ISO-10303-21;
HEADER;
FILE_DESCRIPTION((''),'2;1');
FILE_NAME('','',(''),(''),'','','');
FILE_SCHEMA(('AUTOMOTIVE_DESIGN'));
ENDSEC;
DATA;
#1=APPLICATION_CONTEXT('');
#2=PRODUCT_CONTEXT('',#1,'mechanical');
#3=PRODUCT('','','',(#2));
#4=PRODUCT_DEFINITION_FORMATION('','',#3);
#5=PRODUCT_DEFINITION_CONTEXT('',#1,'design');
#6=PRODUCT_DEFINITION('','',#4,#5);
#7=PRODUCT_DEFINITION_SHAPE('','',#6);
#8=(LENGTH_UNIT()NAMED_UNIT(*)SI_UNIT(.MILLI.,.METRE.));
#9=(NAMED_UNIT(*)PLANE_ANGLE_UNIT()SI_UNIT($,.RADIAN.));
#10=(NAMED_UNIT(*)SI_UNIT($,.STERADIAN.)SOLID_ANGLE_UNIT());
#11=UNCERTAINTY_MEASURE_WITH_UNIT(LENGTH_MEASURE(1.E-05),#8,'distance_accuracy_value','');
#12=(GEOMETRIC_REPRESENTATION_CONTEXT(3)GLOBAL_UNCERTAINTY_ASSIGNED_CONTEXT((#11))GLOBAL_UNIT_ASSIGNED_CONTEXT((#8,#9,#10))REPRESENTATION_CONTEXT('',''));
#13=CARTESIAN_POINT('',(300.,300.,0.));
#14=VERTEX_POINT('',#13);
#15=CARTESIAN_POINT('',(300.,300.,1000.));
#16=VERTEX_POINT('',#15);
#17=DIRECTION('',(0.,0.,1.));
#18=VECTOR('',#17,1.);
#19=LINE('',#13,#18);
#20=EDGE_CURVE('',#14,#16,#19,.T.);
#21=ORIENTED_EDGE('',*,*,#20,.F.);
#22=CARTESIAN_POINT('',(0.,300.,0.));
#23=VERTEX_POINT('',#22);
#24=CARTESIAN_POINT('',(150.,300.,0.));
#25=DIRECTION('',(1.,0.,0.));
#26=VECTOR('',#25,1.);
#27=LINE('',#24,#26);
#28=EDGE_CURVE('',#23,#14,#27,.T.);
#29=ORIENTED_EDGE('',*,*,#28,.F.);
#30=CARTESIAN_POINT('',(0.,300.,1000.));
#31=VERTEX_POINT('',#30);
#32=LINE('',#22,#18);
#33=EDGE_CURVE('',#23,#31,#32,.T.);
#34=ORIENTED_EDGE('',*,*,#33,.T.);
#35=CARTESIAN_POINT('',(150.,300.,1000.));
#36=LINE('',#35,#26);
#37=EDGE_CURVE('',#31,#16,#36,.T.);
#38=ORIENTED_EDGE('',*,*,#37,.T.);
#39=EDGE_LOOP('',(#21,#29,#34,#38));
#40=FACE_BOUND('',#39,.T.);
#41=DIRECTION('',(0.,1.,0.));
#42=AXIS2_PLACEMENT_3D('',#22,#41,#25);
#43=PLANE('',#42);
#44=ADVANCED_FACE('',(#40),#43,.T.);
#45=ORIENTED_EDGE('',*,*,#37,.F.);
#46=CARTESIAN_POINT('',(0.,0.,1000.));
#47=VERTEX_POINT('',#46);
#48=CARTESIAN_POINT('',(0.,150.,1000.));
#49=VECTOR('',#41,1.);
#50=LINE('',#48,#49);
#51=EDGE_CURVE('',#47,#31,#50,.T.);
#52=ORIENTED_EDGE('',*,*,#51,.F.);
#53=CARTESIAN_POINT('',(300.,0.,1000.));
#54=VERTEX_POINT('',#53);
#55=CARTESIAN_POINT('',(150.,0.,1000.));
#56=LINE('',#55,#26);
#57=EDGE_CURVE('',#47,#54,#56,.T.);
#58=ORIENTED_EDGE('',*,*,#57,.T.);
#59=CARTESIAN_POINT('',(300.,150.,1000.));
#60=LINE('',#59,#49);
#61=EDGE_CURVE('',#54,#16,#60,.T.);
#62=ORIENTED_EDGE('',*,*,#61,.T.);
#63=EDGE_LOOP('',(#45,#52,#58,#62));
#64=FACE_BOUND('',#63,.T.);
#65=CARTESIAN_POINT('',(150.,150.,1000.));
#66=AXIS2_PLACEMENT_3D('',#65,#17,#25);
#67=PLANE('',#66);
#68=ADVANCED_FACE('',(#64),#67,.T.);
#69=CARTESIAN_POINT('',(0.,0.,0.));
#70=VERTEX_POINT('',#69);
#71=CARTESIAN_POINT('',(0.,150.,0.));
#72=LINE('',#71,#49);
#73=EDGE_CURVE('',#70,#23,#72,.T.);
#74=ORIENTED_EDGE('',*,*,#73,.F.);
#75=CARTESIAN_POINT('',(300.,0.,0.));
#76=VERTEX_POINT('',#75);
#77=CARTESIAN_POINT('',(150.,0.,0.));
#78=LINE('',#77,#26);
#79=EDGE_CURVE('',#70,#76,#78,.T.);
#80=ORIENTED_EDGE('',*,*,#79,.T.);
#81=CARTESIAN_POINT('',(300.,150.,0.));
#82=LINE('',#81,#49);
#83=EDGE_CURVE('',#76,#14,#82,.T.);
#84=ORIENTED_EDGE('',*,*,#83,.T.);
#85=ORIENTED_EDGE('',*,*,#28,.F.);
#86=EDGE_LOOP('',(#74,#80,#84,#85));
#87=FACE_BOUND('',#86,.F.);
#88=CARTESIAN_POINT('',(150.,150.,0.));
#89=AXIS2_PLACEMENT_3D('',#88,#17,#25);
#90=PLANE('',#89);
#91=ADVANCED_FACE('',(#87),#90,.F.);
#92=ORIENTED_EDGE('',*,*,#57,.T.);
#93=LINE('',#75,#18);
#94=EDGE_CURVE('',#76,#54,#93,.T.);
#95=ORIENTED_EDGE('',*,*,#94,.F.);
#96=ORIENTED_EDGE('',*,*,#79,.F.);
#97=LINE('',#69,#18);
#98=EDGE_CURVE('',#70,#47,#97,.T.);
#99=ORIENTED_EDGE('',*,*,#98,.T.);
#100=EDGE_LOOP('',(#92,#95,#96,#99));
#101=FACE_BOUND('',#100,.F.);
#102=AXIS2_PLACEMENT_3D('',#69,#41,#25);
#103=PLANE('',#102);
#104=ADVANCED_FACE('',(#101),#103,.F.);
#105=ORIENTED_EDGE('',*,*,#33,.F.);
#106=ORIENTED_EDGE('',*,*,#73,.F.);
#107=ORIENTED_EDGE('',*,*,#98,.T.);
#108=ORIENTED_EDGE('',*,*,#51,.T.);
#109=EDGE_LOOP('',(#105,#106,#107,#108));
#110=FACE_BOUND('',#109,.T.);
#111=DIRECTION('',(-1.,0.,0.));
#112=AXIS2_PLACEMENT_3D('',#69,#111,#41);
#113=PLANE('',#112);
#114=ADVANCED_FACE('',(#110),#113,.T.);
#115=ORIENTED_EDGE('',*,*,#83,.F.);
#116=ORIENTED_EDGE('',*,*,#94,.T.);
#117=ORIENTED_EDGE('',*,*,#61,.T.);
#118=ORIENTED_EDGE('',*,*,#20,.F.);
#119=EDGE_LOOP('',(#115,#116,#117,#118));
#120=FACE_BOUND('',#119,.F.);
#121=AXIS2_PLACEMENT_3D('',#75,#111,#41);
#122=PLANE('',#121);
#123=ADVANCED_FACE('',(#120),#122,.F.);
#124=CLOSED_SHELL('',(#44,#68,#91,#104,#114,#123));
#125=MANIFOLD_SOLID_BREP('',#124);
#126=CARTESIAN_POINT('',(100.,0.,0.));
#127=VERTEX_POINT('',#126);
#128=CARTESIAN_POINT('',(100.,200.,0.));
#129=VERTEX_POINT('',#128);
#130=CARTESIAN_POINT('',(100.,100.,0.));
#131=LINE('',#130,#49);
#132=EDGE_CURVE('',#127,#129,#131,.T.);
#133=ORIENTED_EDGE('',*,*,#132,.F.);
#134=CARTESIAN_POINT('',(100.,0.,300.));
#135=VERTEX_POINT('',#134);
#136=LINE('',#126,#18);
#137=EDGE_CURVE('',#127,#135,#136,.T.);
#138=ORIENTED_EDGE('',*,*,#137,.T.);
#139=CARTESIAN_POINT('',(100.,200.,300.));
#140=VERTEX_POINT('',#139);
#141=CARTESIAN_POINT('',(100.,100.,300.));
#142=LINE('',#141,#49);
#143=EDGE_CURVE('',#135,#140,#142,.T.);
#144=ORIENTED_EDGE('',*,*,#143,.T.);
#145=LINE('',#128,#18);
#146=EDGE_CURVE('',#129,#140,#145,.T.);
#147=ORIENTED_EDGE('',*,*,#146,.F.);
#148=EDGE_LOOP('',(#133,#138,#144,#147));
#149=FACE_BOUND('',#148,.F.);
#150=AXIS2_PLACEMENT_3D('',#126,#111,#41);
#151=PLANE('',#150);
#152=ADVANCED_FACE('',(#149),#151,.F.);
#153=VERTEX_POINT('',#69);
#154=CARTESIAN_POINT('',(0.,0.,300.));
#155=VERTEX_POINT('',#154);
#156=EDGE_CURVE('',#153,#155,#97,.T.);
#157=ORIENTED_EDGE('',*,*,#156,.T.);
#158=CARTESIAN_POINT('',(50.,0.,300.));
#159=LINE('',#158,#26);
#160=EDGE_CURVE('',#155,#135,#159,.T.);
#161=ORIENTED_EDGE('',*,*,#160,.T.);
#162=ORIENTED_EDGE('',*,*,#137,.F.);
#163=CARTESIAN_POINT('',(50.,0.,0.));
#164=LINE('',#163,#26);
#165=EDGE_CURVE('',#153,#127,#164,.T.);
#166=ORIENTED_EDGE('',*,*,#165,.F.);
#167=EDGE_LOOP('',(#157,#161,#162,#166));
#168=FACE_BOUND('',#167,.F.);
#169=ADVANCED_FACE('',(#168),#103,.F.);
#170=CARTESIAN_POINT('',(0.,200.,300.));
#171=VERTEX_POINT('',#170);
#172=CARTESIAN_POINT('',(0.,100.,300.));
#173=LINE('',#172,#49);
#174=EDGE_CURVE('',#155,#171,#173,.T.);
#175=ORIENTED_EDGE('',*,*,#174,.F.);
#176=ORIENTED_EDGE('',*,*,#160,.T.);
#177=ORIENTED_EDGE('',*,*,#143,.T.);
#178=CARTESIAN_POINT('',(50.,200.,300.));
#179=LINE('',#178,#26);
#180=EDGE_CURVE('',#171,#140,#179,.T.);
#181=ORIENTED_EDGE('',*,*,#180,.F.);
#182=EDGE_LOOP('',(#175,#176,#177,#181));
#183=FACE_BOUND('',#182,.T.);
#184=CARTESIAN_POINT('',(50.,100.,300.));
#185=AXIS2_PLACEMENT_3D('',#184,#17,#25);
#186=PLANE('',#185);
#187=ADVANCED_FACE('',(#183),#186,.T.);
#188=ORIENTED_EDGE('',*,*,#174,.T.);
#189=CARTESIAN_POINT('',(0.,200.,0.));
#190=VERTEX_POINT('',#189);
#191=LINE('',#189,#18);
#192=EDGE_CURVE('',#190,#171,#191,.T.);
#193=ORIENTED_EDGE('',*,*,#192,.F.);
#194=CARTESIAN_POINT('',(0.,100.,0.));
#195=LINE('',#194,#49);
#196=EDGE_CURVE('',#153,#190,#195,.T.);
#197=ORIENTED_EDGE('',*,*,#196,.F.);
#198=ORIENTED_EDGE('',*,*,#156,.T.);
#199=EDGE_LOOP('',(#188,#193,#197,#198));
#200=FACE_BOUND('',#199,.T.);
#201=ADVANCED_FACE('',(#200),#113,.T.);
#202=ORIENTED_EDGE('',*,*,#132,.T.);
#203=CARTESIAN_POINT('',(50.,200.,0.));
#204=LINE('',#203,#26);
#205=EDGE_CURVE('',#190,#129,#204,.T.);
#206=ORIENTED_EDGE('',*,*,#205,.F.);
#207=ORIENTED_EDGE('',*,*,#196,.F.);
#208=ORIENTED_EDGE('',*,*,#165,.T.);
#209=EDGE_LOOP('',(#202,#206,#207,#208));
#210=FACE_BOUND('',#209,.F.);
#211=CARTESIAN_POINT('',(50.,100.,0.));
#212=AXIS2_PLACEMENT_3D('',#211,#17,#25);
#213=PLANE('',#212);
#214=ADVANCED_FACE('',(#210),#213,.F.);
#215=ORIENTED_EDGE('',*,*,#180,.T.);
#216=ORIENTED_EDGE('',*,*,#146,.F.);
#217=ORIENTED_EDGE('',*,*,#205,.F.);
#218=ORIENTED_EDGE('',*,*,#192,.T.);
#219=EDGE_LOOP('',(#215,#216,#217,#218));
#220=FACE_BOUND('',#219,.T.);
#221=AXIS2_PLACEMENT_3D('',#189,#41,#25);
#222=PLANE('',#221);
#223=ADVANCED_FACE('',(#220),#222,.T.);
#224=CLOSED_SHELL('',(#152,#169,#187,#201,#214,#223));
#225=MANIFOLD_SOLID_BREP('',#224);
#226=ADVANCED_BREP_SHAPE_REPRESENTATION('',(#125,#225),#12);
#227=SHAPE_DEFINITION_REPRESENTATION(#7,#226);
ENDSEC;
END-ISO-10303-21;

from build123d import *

# Parameters (mm, degrees)
BOX_W        = 100
BOX_H        = 200
BOX_DEPTH    = 300
BOX001_W     = 300
BOX001_H     = 300
BOX001_DEPTH = 1000


with BuildPart() as cube:
    # Box → Box (new body)
    with BuildSketch(Plane.XY):
        with Locations((50, 100)):
            Rectangle(BOX_W, BOX_H)
    extrude(amount=BOX_DEPTH)


with BuildPart() as cube2:
    # Box001 → Box001 (new body)
    with BuildSketch(Plane.XY):
        with Locations((150, 150)):
            Rectangle(BOX001_W, BOX001_H)
    extrude(amount=BOX001_DEPTH)


solid = Compound([cube.part, cube2.part])
